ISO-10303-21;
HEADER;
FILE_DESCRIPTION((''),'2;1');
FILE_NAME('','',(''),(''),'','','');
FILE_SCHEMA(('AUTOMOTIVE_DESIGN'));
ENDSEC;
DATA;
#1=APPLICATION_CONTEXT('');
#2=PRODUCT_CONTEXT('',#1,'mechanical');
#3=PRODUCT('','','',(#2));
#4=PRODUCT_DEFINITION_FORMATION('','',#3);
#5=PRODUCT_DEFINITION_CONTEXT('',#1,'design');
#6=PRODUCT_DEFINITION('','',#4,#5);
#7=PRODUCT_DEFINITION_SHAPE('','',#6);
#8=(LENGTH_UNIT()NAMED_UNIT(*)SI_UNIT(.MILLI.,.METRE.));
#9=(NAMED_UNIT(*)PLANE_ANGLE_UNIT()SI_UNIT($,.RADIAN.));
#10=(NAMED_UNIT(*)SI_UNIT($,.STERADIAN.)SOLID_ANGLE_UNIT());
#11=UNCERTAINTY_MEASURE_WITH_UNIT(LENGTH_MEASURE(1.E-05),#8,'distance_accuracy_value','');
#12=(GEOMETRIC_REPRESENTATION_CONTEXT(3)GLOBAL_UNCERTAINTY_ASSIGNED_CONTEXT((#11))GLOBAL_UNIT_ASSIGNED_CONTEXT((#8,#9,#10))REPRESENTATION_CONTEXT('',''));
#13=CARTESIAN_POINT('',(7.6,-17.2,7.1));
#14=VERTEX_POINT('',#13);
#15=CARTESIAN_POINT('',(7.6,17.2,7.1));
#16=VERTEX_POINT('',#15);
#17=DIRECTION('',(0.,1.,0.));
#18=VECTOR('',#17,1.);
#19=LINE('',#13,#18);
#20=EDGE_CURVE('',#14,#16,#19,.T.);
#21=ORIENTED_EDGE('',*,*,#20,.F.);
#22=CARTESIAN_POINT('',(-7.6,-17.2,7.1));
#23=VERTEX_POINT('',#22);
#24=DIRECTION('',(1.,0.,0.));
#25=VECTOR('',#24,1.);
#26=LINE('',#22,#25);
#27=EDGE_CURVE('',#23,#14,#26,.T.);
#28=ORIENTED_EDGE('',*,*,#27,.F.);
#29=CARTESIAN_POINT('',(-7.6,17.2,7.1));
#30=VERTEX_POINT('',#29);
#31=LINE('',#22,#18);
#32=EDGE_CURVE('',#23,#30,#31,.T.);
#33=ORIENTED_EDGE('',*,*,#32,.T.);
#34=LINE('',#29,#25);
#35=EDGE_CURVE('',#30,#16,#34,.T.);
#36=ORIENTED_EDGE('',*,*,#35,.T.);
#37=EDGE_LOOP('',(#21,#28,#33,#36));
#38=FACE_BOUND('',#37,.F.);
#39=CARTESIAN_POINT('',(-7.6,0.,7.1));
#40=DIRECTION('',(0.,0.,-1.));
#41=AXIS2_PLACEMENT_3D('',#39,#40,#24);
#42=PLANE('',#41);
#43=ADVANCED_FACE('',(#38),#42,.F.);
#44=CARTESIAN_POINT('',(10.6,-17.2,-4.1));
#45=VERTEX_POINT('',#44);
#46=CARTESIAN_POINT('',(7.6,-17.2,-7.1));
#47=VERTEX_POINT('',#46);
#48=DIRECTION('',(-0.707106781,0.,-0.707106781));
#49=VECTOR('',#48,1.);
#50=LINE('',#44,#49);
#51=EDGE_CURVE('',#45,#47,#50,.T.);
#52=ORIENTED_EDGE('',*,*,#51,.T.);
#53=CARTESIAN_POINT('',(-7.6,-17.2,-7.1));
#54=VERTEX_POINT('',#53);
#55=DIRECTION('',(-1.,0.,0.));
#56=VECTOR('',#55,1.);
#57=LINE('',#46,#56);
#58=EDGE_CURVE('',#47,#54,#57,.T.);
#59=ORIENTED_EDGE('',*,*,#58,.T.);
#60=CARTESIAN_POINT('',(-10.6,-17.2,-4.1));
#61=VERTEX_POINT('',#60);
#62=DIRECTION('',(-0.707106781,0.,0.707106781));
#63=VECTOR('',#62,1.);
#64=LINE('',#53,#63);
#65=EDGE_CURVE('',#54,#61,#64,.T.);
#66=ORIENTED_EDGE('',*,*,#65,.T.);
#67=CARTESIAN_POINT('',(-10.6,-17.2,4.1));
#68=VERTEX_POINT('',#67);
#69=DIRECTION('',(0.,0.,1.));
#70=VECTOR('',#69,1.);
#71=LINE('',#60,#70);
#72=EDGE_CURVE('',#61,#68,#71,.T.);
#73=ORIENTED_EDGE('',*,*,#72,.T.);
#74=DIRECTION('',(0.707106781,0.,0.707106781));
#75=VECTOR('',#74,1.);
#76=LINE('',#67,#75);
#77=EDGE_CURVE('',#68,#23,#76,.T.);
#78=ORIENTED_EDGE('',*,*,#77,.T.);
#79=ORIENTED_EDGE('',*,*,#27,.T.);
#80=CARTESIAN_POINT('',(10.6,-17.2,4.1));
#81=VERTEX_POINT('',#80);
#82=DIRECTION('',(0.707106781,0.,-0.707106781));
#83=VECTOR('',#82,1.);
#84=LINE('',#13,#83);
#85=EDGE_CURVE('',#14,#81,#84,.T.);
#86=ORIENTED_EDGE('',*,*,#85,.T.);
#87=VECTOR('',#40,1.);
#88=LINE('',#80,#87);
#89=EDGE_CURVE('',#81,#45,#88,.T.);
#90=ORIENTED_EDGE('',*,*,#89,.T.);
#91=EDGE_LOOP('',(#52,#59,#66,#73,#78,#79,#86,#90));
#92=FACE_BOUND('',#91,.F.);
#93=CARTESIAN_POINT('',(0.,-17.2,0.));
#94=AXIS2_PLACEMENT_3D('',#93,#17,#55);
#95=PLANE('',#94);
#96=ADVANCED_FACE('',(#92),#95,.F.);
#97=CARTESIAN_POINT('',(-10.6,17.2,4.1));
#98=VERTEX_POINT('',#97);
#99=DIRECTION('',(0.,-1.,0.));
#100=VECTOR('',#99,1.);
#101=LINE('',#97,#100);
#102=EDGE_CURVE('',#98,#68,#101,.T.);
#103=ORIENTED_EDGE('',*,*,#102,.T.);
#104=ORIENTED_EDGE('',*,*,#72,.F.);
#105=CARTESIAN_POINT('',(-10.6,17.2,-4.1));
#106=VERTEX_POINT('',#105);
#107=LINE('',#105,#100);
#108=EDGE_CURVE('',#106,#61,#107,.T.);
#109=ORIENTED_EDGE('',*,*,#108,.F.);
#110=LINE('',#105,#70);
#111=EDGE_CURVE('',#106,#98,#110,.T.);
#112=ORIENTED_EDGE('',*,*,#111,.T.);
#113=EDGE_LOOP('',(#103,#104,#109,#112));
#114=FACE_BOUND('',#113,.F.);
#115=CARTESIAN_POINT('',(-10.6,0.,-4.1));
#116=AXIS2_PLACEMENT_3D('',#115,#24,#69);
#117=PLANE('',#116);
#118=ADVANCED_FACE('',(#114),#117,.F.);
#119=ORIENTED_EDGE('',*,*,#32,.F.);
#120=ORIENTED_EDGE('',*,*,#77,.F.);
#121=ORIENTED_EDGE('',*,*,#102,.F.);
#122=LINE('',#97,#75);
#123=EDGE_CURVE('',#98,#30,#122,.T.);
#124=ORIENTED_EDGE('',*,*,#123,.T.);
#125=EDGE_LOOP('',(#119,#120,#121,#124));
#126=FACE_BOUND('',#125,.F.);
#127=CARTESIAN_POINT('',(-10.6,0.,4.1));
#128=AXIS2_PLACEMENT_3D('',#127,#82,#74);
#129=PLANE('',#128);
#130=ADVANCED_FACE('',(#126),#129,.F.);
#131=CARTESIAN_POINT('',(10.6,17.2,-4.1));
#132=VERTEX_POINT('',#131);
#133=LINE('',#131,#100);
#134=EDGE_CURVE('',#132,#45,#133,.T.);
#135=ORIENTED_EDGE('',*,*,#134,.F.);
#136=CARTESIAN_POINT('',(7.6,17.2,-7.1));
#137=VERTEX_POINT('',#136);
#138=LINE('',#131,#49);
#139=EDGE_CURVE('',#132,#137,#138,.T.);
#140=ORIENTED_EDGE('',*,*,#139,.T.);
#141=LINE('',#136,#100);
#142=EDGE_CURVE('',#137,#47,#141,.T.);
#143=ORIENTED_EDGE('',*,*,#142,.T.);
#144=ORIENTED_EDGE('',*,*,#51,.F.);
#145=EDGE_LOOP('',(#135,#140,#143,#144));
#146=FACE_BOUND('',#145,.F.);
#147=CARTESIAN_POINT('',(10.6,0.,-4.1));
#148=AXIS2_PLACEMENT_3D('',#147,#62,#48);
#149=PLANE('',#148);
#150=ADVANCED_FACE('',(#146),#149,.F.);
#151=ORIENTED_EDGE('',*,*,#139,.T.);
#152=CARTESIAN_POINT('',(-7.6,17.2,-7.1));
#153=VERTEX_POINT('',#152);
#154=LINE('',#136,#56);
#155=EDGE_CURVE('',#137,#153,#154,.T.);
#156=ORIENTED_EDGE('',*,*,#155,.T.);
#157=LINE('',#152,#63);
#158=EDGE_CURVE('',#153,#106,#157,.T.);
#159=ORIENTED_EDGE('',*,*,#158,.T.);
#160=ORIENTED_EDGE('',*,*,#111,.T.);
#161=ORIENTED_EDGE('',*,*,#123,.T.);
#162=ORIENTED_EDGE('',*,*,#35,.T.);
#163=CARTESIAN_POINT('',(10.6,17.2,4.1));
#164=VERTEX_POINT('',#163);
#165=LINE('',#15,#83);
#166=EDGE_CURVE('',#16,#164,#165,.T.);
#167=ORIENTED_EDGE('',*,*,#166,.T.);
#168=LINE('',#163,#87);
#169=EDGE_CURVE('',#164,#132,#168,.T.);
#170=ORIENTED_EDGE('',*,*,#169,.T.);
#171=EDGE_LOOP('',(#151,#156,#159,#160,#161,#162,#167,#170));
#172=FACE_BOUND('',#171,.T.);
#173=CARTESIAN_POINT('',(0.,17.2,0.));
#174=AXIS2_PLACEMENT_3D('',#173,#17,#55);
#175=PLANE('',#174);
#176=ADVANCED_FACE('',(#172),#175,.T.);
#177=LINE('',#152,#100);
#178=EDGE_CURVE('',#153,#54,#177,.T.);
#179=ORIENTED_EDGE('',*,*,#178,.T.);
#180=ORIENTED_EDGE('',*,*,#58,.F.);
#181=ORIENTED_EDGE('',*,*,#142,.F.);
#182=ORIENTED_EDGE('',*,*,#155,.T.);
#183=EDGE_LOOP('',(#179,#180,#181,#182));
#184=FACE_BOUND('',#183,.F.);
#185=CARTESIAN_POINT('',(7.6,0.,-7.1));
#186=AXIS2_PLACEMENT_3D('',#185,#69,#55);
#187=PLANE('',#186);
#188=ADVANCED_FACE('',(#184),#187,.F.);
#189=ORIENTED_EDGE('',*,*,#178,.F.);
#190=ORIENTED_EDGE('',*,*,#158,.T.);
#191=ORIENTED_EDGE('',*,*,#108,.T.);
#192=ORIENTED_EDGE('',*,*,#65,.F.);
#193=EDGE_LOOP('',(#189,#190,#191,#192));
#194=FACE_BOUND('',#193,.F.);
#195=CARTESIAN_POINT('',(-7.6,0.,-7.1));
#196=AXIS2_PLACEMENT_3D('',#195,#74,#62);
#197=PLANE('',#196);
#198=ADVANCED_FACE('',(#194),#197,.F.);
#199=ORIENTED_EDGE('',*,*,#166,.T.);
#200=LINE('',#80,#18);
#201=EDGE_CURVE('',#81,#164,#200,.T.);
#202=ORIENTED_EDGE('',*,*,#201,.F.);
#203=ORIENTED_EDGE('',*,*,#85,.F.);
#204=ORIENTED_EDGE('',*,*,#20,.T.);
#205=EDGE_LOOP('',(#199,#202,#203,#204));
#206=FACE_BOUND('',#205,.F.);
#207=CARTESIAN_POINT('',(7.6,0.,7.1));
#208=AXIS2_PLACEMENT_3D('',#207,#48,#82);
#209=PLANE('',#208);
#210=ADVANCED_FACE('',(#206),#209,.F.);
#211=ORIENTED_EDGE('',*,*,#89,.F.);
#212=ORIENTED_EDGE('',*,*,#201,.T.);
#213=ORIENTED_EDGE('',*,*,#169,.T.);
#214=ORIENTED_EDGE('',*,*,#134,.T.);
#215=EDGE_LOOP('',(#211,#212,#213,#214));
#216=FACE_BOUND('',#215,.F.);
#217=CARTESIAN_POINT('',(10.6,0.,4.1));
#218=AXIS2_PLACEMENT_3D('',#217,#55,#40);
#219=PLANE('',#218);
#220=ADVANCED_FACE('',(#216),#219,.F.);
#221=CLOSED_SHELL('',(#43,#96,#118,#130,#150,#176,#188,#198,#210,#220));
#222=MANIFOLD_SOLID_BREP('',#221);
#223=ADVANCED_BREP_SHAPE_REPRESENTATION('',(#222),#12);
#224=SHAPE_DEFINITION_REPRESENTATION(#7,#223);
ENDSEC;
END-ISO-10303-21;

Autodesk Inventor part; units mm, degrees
ref_plane "YZ Plane" through (0, 0, 0) normal (1, 0, 0) x (0, 1, 0)
ref_plane "XZ Plane" through (0, 0, 0) normal (0, 1, 0) x (-1, 0, 0)
ref_plane "XY Plane" through (0, 0, 0) normal (0, 0, 1) x (1, 0, 0)
sketch "Sketch1" plane through (0, 0, 0) normal (0, 1, 0) x (-1, 0, 0)
  line L0 (7.6, 7.1) -> (-7.6, 7.1)
  line L1 (-10.6, 4.1) -> (-10.6, -4.1)
  line L2 (-7.6, -7.1) -> (7.6, -7.1)
  line L3 (10.6, -4.1) -> (10.6, 4.1)
  line L4 (10.6, 7.1) -> (-10.6, -7.1) construction
  line L5 (-10.6, 7.1) -> (10.6, -7.1) construction
  line L6 (7.6, -7.1) -> (10.6, -4.1)
  line L7 (10.6, 4.1) -> (7.6, 7.1)
  line L8 (-7.6, 7.1) -> (-10.6, 4.1)
  line L9 (-10.6, -4.1) -> (-7.6, -7.1)
  point P0 (0, 0)
  dimension "d0" = 21.2
  dimension "d1" = 14.2
  dimension "d2" = 3
  dimension "d3" = 3
extrude "Extrusion1" add sketch "Sketch1" along normal mid plane 34.4
equation "\"d3\" = d2"
properties part number "FactionSpecial_Council_ControlMarker_All" material "ABS Plastic"
